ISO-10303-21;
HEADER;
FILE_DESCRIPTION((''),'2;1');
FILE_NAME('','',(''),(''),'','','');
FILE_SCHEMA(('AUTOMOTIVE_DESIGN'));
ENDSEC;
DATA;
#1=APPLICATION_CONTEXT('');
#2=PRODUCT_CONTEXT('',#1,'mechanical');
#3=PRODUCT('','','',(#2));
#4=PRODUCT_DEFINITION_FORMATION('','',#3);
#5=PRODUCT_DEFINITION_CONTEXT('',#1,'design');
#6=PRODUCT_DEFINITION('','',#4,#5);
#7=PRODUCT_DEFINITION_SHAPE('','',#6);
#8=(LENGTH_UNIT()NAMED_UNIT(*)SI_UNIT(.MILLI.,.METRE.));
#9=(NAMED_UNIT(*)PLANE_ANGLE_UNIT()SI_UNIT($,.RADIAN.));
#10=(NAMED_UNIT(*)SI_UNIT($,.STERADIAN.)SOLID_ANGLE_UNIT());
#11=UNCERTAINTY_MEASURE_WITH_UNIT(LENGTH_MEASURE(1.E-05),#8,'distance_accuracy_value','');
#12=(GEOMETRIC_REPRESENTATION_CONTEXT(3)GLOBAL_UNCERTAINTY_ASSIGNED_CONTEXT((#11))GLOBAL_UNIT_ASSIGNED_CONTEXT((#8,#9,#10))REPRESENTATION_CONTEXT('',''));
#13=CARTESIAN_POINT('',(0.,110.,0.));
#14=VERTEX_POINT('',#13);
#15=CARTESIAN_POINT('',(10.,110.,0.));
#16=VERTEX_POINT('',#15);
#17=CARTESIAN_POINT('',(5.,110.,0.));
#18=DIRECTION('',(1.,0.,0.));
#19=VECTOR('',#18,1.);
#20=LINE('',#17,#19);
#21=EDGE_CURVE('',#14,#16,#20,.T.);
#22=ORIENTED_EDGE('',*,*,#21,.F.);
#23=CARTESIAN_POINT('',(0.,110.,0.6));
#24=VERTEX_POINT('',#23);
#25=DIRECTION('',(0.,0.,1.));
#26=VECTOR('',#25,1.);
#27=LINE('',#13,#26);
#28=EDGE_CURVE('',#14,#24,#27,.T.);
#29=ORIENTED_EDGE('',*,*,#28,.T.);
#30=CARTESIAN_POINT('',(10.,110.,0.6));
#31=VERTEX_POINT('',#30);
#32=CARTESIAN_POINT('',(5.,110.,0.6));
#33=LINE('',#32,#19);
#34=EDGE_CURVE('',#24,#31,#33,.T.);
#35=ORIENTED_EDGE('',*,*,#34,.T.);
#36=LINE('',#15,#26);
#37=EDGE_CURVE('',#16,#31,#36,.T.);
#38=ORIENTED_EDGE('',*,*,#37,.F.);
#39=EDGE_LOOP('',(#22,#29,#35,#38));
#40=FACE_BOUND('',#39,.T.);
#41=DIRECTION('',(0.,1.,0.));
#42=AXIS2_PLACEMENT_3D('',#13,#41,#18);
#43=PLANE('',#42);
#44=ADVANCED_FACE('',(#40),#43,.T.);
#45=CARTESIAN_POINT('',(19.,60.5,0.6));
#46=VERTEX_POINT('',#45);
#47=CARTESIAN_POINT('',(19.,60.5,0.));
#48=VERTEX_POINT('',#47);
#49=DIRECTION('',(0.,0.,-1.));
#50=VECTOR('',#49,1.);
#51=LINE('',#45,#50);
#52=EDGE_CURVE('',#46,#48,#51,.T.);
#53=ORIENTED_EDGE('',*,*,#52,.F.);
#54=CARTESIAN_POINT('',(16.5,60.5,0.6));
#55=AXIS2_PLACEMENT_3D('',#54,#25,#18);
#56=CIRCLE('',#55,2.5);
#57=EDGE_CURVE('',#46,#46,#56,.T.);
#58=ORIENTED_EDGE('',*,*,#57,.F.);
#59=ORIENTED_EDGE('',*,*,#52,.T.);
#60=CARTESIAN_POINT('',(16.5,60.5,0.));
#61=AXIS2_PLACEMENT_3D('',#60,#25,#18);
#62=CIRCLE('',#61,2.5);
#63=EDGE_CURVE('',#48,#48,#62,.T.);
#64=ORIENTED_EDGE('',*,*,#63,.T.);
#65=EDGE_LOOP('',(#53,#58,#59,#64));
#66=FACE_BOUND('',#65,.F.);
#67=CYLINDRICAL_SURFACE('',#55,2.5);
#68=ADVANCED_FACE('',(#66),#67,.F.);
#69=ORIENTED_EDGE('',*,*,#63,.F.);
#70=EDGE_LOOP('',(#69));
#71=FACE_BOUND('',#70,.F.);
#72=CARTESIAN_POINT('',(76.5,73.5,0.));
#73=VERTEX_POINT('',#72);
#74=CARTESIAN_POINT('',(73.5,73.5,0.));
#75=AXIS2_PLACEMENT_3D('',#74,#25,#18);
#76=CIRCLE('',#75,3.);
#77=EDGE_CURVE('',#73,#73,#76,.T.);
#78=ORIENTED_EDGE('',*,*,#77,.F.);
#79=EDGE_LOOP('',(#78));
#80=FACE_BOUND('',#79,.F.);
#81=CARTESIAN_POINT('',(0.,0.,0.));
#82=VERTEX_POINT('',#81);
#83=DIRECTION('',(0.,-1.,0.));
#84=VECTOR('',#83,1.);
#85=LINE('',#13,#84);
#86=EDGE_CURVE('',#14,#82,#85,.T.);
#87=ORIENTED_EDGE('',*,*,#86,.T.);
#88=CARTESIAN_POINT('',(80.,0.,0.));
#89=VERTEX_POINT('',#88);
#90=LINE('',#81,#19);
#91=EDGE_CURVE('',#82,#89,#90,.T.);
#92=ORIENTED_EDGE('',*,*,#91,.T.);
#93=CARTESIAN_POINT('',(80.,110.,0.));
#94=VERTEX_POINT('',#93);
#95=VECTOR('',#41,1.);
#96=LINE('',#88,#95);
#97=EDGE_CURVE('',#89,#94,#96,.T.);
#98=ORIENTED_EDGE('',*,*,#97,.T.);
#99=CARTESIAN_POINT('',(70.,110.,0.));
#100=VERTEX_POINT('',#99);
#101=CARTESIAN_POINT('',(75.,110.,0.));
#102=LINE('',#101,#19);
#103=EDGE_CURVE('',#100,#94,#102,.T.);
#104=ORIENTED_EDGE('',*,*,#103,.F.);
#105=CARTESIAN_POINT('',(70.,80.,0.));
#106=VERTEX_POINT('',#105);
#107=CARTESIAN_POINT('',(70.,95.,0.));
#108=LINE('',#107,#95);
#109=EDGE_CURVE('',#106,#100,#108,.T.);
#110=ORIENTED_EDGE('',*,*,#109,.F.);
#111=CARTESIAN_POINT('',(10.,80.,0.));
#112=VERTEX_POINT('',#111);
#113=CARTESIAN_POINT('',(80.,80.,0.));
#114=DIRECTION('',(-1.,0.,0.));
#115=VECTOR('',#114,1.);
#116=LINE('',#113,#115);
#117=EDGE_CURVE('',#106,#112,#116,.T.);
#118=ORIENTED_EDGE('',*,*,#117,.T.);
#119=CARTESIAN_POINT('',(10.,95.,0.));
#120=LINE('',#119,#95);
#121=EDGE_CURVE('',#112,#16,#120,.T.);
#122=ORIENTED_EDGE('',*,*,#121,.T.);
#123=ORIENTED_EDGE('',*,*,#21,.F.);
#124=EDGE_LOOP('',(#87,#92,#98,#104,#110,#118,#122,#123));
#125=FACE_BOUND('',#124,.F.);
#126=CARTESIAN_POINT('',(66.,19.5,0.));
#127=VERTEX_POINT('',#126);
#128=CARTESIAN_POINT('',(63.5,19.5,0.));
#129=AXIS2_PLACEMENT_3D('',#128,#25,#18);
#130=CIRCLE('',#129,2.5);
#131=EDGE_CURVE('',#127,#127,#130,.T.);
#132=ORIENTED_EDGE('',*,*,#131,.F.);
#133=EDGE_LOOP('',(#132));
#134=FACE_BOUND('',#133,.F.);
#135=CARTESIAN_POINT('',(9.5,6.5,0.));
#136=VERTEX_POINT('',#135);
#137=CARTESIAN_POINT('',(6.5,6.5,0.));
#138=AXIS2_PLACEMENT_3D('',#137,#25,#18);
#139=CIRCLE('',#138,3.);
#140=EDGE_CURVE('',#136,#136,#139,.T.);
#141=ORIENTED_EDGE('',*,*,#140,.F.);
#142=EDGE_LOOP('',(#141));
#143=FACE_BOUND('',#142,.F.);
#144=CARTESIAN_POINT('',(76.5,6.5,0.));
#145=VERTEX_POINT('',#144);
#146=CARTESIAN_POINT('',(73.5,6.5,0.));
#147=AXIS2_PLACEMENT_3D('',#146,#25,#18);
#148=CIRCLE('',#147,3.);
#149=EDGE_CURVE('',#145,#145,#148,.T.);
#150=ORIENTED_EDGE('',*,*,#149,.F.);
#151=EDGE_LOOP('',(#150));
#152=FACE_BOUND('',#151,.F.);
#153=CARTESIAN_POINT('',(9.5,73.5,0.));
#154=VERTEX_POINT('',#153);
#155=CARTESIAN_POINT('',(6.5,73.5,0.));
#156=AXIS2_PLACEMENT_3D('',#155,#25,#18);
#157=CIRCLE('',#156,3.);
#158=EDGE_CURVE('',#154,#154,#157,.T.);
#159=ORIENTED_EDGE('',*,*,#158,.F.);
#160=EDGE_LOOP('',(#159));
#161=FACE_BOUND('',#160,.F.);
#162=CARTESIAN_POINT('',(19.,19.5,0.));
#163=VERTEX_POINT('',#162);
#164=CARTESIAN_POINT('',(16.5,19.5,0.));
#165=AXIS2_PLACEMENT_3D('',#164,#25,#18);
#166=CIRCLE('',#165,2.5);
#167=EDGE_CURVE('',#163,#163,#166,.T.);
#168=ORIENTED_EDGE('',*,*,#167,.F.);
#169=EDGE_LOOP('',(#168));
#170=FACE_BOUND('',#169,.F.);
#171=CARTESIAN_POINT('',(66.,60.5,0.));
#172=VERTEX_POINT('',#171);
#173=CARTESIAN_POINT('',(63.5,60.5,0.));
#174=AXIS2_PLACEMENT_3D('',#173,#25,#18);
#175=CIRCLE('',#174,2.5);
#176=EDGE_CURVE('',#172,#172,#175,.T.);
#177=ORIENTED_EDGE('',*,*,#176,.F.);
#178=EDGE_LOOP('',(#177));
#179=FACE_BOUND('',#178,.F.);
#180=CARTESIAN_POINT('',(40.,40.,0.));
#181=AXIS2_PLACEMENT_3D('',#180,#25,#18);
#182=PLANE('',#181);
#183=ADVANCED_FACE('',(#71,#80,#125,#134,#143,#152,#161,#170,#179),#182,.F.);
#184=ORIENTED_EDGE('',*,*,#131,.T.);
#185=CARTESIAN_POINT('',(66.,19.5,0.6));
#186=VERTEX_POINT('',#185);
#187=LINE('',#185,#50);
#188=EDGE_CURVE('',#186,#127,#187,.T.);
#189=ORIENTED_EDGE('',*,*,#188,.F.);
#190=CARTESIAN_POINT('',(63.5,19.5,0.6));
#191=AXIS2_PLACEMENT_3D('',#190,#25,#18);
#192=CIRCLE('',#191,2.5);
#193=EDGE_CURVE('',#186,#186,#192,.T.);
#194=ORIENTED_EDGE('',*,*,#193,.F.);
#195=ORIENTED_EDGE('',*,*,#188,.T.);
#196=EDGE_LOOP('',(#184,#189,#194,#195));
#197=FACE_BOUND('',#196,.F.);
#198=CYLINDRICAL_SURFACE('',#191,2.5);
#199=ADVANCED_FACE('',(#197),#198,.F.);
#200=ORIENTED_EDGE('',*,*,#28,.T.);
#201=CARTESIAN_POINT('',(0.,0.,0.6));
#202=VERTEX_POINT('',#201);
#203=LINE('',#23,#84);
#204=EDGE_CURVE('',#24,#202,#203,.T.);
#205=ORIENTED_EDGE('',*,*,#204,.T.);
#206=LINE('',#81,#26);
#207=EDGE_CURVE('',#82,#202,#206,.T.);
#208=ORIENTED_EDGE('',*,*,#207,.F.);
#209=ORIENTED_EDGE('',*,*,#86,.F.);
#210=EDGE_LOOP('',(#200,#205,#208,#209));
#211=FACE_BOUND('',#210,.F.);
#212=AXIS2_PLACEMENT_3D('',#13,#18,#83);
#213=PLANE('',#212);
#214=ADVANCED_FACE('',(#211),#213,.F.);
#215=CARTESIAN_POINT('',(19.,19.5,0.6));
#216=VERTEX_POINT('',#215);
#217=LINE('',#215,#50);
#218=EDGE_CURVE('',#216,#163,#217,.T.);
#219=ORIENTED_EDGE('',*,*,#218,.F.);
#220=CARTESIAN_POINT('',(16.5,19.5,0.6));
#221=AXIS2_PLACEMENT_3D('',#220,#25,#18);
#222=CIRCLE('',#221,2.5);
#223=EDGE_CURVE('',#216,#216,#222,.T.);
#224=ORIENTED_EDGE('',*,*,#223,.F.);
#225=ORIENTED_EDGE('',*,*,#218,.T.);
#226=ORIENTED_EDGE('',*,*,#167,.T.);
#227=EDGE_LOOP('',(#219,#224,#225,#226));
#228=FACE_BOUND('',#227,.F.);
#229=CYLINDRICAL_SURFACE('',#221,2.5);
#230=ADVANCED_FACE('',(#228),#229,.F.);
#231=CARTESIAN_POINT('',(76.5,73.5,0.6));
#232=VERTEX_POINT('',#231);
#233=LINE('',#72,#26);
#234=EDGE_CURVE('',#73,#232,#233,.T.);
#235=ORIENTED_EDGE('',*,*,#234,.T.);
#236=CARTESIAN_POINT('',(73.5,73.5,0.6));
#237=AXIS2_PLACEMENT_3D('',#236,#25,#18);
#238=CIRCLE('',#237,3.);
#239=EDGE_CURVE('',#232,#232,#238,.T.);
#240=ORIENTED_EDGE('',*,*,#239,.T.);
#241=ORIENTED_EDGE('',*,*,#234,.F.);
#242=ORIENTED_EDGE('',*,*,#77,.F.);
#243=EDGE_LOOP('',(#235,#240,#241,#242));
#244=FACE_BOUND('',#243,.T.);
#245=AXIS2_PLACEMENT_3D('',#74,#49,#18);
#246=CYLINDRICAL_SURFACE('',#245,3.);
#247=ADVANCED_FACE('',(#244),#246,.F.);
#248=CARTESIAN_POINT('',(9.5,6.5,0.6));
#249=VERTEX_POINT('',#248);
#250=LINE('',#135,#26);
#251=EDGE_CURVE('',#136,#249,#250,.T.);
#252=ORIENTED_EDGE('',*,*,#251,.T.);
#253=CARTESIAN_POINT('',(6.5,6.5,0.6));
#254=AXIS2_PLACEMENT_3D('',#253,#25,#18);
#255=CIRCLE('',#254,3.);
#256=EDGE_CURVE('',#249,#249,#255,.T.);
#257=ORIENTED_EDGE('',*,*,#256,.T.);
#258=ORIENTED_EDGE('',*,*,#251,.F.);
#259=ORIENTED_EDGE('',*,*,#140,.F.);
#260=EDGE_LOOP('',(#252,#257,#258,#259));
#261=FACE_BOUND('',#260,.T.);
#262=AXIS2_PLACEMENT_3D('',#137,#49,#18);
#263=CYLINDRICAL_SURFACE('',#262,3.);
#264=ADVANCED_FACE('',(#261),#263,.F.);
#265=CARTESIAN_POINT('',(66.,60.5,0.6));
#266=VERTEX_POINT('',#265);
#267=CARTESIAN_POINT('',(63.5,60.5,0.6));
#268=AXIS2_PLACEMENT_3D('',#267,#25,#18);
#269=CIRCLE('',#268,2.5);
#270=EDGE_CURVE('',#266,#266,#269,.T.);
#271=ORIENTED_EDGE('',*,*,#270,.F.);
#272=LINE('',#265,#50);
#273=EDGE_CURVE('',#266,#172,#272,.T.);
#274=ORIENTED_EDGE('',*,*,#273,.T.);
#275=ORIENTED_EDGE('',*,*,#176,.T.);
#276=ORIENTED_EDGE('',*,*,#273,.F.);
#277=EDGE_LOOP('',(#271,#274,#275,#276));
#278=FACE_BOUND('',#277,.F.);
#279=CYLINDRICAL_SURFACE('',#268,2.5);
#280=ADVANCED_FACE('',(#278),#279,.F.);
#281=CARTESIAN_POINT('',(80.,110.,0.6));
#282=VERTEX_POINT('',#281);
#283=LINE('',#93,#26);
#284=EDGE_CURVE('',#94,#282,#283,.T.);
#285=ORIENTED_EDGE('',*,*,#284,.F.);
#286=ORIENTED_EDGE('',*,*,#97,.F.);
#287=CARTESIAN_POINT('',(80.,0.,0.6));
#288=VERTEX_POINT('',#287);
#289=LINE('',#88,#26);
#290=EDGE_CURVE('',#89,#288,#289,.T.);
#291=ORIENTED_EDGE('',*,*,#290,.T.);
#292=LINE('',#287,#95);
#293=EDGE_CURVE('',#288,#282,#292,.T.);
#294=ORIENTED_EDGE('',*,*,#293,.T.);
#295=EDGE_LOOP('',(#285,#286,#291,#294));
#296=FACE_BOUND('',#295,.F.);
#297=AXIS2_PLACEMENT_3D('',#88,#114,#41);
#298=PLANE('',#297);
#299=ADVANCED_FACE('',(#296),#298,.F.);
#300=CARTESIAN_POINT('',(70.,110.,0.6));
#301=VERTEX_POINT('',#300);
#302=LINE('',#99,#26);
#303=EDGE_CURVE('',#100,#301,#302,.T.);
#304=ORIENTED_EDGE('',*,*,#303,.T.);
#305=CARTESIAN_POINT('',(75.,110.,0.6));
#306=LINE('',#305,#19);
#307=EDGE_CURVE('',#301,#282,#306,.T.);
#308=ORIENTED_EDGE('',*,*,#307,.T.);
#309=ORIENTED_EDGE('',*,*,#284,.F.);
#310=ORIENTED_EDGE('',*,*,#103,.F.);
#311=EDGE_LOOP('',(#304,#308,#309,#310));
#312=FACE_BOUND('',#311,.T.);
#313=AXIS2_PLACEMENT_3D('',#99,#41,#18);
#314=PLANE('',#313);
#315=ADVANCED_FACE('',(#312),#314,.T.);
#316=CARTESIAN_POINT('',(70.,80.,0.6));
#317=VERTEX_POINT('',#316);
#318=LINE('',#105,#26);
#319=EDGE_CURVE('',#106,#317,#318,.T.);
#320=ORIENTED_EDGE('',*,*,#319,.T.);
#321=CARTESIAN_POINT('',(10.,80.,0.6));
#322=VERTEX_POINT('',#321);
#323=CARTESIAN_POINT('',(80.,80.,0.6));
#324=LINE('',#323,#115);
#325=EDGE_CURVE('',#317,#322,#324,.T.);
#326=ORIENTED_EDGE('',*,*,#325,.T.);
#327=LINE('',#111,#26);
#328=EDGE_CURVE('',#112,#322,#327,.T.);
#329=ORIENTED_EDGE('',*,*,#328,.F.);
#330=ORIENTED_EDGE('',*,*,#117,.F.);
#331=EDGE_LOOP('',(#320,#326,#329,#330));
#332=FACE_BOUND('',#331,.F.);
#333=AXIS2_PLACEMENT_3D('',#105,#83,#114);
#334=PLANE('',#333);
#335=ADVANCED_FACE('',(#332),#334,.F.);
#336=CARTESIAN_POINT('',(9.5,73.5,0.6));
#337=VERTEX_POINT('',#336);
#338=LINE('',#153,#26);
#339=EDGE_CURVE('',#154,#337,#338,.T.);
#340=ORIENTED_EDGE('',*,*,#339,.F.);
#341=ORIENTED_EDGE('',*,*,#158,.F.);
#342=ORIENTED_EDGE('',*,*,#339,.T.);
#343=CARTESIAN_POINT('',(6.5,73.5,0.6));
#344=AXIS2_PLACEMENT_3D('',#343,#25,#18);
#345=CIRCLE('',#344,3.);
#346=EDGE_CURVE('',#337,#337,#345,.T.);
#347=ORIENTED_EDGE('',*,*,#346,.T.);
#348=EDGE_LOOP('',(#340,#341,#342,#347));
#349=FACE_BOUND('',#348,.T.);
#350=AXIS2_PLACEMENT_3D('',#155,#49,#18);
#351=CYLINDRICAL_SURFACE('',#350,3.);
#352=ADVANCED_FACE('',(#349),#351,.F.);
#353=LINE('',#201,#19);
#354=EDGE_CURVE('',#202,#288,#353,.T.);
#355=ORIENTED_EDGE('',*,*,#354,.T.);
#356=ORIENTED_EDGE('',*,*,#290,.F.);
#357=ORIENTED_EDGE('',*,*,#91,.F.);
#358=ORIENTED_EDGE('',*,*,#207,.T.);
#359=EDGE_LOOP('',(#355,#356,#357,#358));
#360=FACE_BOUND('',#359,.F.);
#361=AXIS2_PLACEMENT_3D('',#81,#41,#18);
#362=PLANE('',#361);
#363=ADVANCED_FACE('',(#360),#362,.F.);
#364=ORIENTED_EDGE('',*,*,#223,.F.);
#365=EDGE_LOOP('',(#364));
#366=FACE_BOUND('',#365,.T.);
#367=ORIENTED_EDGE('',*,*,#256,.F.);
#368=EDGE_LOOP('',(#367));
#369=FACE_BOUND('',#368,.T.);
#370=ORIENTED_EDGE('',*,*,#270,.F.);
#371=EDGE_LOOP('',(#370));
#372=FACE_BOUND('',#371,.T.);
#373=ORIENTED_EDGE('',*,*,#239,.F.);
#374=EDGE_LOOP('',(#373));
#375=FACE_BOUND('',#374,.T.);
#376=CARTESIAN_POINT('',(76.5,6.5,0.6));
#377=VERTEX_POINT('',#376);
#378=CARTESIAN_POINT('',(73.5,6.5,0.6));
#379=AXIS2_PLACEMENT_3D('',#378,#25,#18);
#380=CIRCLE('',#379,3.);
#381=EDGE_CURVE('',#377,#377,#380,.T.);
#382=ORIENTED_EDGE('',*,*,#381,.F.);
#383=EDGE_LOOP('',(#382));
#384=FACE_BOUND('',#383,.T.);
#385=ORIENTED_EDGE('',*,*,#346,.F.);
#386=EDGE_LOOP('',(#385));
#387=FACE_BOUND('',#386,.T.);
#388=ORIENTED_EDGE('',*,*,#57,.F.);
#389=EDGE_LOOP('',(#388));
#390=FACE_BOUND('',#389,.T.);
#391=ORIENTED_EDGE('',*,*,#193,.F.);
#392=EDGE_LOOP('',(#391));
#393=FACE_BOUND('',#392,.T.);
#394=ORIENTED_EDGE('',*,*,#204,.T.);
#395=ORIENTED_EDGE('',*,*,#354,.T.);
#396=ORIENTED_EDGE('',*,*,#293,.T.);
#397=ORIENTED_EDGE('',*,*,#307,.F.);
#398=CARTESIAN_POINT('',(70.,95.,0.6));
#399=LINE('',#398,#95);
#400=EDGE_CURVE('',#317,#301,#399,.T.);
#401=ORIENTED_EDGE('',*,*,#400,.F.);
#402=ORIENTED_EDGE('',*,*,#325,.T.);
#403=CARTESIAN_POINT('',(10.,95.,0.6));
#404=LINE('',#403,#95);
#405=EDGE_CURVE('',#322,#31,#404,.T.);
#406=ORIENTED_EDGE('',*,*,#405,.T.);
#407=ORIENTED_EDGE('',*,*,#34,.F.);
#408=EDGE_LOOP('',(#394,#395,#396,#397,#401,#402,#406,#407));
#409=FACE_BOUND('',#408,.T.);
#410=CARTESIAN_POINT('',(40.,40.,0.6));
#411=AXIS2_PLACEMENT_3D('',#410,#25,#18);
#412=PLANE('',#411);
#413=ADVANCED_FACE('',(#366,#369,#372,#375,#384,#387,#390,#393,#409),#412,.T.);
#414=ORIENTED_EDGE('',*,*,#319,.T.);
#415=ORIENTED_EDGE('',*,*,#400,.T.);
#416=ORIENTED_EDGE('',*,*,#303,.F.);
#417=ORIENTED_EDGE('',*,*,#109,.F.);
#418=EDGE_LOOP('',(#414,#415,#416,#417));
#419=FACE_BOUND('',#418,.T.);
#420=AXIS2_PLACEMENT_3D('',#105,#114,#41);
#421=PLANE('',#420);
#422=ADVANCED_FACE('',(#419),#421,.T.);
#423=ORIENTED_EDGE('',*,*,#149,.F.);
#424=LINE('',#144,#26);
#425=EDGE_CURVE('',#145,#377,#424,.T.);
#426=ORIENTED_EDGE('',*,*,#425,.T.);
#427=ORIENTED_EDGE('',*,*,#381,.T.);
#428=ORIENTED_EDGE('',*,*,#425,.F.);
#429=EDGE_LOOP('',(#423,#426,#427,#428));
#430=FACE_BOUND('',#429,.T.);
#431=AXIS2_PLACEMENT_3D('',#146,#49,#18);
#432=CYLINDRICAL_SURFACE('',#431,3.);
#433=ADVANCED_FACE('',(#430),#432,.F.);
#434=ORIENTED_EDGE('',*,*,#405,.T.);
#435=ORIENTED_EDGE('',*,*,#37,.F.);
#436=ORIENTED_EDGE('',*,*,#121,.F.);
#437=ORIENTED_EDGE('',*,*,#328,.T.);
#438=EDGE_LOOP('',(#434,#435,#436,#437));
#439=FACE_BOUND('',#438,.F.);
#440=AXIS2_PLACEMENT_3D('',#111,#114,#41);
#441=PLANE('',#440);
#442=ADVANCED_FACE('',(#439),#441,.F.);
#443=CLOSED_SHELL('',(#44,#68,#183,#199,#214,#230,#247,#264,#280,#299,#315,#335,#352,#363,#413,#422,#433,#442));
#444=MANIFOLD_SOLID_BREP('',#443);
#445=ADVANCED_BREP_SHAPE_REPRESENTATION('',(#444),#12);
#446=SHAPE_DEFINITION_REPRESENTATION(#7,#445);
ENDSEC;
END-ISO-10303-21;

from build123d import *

# Parameters (mm, degrees)
F0_R     = 3
F0_W     = 10
F0_H     = 30
F1_DEPTH = 0.6
F2_R     = 2.5
F3_DEPTH = 0.601


with BuildPart() as f1:
    # F0 (on Top) → F1 (new body)
    with BuildSketch(Plane.XY):
        Polygon((0, 80), (0, 0), (80, 0), (80, 80), (70, 80), (10, 80), align=None)
        with Locations((6.5, 6.5)):
            Circle(F0_R, mode=Mode.SUBTRACT)
        with Locations((73.5, 6.5)):
            Circle(F0_R, mode=Mode.SUBTRACT)
        with Locations((6.5, 73.5)):
            Circle(F0_R, mode=Mode.SUBTRACT)
        with Locations((73.5, 73.5)):
            Circle(F0_R, mode=Mode.SUBTRACT)
        with Locations((5, 95)):
            Rectangle(F0_W, F0_H)
        with Locations((75, 95)):
            Rectangle(F0_W, F0_H)
    extrude(amount=F1_DEPTH)

    # F2 (on face) → F3 (cut, through all)
    with BuildSketch(Plane.XY.offset(0.6)):
        with Locations((16.5, 60.5)):
            Circle(F2_R)
        with Locations((63.5, 60.5)):
            Circle(F2_R)
        with Locations((63.5, 19.5)):
            Circle(F2_R)
        with Locations((16.5, 19.5)):
            Circle(F2_R)
    extrude(amount=-F3_DEPTH, mode=Mode.SUBTRACT)


solid = f1.part
